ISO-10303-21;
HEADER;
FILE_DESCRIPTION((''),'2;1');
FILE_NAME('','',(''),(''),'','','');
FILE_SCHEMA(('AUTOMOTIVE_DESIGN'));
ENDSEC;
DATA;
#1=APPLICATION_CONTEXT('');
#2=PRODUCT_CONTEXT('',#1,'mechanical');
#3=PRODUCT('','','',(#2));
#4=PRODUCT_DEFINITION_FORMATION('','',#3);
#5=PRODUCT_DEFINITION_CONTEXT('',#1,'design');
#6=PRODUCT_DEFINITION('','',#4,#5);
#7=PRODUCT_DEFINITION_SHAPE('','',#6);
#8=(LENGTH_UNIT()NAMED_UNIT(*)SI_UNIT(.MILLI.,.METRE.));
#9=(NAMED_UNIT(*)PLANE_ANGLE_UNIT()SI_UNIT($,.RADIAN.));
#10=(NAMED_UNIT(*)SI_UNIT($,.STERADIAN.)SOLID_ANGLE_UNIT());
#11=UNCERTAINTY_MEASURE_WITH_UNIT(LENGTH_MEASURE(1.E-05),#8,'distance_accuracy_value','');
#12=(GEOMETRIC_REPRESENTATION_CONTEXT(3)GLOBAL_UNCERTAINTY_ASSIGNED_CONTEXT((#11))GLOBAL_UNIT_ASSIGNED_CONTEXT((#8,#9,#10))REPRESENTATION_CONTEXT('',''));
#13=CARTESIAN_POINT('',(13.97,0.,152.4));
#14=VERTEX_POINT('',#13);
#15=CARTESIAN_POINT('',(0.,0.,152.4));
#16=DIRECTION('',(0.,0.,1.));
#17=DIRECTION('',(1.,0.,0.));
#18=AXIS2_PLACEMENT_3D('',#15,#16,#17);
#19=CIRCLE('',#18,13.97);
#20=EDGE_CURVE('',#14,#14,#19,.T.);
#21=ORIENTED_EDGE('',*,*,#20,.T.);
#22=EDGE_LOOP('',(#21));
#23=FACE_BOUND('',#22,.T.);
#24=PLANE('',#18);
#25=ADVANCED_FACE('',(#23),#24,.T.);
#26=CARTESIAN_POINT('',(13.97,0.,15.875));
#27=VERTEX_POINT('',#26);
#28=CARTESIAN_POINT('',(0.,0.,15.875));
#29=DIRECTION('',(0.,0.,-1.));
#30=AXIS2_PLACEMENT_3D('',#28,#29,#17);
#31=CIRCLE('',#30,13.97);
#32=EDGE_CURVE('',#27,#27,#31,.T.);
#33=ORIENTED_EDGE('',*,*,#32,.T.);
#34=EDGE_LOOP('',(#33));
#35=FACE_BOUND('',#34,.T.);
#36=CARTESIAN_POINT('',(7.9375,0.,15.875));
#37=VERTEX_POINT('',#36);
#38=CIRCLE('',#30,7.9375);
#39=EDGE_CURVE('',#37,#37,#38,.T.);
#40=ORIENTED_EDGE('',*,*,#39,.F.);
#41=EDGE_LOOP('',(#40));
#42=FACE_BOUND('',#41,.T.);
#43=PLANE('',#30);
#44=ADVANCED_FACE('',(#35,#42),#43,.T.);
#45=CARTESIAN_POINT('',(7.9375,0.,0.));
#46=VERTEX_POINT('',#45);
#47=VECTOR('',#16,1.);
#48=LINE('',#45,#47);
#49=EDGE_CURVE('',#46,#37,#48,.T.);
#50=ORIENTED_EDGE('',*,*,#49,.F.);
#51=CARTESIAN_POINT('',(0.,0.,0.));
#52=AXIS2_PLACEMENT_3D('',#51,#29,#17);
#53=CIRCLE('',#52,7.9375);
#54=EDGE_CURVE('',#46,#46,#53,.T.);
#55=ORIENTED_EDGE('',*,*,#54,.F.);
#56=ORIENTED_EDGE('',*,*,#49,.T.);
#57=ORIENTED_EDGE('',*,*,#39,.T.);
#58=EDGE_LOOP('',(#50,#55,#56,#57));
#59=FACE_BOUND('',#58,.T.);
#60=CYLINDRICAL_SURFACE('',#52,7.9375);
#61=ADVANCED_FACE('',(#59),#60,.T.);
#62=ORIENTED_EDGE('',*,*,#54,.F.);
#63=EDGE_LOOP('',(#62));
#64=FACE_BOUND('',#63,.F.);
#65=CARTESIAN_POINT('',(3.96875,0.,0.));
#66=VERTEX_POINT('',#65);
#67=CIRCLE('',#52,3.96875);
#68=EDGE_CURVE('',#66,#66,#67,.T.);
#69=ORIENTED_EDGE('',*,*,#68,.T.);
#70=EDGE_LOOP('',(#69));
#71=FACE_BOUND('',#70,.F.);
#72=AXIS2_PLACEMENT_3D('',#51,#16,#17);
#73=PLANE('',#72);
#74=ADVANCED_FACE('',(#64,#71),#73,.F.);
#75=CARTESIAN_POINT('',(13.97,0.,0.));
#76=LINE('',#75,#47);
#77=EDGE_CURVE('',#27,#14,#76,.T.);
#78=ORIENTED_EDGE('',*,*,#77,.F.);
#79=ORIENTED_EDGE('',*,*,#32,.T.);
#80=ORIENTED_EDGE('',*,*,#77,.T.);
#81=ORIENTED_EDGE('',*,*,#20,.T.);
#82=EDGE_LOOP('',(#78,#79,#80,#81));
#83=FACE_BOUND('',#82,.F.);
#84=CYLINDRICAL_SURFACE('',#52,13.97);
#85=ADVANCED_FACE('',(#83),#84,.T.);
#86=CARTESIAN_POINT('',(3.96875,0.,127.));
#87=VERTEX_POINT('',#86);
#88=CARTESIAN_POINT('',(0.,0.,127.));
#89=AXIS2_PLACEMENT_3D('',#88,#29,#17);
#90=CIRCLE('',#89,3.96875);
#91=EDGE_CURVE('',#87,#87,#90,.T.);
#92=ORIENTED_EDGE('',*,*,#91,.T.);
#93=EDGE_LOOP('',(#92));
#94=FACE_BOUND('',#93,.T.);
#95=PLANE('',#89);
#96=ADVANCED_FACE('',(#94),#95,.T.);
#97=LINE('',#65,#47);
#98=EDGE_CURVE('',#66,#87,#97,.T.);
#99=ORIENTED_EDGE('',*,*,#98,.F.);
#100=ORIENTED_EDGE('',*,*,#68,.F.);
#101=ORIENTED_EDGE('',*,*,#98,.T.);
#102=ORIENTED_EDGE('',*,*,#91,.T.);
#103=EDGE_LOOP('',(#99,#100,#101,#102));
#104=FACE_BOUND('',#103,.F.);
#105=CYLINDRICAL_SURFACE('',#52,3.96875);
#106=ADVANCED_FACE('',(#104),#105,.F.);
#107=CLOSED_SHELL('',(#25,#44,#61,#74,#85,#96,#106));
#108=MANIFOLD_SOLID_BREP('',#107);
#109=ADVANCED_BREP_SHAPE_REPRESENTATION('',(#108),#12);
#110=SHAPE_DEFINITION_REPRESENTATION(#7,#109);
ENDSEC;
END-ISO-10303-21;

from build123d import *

# Parameters (mm, degrees)
F0_R     = 13.97
F1_DEPTH = 152.4
F2_R     = 13.97
F2_R_2   = 7.9375
F3_DEPTH = 15.875
F4_R     = 3.96875
F5_DEPTH = 127


with BuildPart() as f1:
    # F0 (on Top) → F1 (new body)
    with BuildSketch(Plane.XY):
        Circle(F0_R)
    extrude(amount=F1_DEPTH)

    # F2 (on face) → F3 (cut)
    with BuildSketch(Plane(origin=(0, 0, 0), x_dir=(1, 0, 0), z_dir=(0, 0, -1))):
        Circle(F2_R)
        Circle(F2_R_2, mode=Mode.SUBTRACT)
    extrude(amount=-F3_DEPTH, mode=Mode.SUBTRACT)

    # F4 (on face) → F5 (cut)
    with BuildSketch(Plane(origin=(0, 0, 0), x_dir=(1, 0, 0), z_dir=(0, 0, -1))):
        Circle(F4_R)
    extrude(amount=-F5_DEPTH, mode=Mode.SUBTRACT)


solid = f1.part
